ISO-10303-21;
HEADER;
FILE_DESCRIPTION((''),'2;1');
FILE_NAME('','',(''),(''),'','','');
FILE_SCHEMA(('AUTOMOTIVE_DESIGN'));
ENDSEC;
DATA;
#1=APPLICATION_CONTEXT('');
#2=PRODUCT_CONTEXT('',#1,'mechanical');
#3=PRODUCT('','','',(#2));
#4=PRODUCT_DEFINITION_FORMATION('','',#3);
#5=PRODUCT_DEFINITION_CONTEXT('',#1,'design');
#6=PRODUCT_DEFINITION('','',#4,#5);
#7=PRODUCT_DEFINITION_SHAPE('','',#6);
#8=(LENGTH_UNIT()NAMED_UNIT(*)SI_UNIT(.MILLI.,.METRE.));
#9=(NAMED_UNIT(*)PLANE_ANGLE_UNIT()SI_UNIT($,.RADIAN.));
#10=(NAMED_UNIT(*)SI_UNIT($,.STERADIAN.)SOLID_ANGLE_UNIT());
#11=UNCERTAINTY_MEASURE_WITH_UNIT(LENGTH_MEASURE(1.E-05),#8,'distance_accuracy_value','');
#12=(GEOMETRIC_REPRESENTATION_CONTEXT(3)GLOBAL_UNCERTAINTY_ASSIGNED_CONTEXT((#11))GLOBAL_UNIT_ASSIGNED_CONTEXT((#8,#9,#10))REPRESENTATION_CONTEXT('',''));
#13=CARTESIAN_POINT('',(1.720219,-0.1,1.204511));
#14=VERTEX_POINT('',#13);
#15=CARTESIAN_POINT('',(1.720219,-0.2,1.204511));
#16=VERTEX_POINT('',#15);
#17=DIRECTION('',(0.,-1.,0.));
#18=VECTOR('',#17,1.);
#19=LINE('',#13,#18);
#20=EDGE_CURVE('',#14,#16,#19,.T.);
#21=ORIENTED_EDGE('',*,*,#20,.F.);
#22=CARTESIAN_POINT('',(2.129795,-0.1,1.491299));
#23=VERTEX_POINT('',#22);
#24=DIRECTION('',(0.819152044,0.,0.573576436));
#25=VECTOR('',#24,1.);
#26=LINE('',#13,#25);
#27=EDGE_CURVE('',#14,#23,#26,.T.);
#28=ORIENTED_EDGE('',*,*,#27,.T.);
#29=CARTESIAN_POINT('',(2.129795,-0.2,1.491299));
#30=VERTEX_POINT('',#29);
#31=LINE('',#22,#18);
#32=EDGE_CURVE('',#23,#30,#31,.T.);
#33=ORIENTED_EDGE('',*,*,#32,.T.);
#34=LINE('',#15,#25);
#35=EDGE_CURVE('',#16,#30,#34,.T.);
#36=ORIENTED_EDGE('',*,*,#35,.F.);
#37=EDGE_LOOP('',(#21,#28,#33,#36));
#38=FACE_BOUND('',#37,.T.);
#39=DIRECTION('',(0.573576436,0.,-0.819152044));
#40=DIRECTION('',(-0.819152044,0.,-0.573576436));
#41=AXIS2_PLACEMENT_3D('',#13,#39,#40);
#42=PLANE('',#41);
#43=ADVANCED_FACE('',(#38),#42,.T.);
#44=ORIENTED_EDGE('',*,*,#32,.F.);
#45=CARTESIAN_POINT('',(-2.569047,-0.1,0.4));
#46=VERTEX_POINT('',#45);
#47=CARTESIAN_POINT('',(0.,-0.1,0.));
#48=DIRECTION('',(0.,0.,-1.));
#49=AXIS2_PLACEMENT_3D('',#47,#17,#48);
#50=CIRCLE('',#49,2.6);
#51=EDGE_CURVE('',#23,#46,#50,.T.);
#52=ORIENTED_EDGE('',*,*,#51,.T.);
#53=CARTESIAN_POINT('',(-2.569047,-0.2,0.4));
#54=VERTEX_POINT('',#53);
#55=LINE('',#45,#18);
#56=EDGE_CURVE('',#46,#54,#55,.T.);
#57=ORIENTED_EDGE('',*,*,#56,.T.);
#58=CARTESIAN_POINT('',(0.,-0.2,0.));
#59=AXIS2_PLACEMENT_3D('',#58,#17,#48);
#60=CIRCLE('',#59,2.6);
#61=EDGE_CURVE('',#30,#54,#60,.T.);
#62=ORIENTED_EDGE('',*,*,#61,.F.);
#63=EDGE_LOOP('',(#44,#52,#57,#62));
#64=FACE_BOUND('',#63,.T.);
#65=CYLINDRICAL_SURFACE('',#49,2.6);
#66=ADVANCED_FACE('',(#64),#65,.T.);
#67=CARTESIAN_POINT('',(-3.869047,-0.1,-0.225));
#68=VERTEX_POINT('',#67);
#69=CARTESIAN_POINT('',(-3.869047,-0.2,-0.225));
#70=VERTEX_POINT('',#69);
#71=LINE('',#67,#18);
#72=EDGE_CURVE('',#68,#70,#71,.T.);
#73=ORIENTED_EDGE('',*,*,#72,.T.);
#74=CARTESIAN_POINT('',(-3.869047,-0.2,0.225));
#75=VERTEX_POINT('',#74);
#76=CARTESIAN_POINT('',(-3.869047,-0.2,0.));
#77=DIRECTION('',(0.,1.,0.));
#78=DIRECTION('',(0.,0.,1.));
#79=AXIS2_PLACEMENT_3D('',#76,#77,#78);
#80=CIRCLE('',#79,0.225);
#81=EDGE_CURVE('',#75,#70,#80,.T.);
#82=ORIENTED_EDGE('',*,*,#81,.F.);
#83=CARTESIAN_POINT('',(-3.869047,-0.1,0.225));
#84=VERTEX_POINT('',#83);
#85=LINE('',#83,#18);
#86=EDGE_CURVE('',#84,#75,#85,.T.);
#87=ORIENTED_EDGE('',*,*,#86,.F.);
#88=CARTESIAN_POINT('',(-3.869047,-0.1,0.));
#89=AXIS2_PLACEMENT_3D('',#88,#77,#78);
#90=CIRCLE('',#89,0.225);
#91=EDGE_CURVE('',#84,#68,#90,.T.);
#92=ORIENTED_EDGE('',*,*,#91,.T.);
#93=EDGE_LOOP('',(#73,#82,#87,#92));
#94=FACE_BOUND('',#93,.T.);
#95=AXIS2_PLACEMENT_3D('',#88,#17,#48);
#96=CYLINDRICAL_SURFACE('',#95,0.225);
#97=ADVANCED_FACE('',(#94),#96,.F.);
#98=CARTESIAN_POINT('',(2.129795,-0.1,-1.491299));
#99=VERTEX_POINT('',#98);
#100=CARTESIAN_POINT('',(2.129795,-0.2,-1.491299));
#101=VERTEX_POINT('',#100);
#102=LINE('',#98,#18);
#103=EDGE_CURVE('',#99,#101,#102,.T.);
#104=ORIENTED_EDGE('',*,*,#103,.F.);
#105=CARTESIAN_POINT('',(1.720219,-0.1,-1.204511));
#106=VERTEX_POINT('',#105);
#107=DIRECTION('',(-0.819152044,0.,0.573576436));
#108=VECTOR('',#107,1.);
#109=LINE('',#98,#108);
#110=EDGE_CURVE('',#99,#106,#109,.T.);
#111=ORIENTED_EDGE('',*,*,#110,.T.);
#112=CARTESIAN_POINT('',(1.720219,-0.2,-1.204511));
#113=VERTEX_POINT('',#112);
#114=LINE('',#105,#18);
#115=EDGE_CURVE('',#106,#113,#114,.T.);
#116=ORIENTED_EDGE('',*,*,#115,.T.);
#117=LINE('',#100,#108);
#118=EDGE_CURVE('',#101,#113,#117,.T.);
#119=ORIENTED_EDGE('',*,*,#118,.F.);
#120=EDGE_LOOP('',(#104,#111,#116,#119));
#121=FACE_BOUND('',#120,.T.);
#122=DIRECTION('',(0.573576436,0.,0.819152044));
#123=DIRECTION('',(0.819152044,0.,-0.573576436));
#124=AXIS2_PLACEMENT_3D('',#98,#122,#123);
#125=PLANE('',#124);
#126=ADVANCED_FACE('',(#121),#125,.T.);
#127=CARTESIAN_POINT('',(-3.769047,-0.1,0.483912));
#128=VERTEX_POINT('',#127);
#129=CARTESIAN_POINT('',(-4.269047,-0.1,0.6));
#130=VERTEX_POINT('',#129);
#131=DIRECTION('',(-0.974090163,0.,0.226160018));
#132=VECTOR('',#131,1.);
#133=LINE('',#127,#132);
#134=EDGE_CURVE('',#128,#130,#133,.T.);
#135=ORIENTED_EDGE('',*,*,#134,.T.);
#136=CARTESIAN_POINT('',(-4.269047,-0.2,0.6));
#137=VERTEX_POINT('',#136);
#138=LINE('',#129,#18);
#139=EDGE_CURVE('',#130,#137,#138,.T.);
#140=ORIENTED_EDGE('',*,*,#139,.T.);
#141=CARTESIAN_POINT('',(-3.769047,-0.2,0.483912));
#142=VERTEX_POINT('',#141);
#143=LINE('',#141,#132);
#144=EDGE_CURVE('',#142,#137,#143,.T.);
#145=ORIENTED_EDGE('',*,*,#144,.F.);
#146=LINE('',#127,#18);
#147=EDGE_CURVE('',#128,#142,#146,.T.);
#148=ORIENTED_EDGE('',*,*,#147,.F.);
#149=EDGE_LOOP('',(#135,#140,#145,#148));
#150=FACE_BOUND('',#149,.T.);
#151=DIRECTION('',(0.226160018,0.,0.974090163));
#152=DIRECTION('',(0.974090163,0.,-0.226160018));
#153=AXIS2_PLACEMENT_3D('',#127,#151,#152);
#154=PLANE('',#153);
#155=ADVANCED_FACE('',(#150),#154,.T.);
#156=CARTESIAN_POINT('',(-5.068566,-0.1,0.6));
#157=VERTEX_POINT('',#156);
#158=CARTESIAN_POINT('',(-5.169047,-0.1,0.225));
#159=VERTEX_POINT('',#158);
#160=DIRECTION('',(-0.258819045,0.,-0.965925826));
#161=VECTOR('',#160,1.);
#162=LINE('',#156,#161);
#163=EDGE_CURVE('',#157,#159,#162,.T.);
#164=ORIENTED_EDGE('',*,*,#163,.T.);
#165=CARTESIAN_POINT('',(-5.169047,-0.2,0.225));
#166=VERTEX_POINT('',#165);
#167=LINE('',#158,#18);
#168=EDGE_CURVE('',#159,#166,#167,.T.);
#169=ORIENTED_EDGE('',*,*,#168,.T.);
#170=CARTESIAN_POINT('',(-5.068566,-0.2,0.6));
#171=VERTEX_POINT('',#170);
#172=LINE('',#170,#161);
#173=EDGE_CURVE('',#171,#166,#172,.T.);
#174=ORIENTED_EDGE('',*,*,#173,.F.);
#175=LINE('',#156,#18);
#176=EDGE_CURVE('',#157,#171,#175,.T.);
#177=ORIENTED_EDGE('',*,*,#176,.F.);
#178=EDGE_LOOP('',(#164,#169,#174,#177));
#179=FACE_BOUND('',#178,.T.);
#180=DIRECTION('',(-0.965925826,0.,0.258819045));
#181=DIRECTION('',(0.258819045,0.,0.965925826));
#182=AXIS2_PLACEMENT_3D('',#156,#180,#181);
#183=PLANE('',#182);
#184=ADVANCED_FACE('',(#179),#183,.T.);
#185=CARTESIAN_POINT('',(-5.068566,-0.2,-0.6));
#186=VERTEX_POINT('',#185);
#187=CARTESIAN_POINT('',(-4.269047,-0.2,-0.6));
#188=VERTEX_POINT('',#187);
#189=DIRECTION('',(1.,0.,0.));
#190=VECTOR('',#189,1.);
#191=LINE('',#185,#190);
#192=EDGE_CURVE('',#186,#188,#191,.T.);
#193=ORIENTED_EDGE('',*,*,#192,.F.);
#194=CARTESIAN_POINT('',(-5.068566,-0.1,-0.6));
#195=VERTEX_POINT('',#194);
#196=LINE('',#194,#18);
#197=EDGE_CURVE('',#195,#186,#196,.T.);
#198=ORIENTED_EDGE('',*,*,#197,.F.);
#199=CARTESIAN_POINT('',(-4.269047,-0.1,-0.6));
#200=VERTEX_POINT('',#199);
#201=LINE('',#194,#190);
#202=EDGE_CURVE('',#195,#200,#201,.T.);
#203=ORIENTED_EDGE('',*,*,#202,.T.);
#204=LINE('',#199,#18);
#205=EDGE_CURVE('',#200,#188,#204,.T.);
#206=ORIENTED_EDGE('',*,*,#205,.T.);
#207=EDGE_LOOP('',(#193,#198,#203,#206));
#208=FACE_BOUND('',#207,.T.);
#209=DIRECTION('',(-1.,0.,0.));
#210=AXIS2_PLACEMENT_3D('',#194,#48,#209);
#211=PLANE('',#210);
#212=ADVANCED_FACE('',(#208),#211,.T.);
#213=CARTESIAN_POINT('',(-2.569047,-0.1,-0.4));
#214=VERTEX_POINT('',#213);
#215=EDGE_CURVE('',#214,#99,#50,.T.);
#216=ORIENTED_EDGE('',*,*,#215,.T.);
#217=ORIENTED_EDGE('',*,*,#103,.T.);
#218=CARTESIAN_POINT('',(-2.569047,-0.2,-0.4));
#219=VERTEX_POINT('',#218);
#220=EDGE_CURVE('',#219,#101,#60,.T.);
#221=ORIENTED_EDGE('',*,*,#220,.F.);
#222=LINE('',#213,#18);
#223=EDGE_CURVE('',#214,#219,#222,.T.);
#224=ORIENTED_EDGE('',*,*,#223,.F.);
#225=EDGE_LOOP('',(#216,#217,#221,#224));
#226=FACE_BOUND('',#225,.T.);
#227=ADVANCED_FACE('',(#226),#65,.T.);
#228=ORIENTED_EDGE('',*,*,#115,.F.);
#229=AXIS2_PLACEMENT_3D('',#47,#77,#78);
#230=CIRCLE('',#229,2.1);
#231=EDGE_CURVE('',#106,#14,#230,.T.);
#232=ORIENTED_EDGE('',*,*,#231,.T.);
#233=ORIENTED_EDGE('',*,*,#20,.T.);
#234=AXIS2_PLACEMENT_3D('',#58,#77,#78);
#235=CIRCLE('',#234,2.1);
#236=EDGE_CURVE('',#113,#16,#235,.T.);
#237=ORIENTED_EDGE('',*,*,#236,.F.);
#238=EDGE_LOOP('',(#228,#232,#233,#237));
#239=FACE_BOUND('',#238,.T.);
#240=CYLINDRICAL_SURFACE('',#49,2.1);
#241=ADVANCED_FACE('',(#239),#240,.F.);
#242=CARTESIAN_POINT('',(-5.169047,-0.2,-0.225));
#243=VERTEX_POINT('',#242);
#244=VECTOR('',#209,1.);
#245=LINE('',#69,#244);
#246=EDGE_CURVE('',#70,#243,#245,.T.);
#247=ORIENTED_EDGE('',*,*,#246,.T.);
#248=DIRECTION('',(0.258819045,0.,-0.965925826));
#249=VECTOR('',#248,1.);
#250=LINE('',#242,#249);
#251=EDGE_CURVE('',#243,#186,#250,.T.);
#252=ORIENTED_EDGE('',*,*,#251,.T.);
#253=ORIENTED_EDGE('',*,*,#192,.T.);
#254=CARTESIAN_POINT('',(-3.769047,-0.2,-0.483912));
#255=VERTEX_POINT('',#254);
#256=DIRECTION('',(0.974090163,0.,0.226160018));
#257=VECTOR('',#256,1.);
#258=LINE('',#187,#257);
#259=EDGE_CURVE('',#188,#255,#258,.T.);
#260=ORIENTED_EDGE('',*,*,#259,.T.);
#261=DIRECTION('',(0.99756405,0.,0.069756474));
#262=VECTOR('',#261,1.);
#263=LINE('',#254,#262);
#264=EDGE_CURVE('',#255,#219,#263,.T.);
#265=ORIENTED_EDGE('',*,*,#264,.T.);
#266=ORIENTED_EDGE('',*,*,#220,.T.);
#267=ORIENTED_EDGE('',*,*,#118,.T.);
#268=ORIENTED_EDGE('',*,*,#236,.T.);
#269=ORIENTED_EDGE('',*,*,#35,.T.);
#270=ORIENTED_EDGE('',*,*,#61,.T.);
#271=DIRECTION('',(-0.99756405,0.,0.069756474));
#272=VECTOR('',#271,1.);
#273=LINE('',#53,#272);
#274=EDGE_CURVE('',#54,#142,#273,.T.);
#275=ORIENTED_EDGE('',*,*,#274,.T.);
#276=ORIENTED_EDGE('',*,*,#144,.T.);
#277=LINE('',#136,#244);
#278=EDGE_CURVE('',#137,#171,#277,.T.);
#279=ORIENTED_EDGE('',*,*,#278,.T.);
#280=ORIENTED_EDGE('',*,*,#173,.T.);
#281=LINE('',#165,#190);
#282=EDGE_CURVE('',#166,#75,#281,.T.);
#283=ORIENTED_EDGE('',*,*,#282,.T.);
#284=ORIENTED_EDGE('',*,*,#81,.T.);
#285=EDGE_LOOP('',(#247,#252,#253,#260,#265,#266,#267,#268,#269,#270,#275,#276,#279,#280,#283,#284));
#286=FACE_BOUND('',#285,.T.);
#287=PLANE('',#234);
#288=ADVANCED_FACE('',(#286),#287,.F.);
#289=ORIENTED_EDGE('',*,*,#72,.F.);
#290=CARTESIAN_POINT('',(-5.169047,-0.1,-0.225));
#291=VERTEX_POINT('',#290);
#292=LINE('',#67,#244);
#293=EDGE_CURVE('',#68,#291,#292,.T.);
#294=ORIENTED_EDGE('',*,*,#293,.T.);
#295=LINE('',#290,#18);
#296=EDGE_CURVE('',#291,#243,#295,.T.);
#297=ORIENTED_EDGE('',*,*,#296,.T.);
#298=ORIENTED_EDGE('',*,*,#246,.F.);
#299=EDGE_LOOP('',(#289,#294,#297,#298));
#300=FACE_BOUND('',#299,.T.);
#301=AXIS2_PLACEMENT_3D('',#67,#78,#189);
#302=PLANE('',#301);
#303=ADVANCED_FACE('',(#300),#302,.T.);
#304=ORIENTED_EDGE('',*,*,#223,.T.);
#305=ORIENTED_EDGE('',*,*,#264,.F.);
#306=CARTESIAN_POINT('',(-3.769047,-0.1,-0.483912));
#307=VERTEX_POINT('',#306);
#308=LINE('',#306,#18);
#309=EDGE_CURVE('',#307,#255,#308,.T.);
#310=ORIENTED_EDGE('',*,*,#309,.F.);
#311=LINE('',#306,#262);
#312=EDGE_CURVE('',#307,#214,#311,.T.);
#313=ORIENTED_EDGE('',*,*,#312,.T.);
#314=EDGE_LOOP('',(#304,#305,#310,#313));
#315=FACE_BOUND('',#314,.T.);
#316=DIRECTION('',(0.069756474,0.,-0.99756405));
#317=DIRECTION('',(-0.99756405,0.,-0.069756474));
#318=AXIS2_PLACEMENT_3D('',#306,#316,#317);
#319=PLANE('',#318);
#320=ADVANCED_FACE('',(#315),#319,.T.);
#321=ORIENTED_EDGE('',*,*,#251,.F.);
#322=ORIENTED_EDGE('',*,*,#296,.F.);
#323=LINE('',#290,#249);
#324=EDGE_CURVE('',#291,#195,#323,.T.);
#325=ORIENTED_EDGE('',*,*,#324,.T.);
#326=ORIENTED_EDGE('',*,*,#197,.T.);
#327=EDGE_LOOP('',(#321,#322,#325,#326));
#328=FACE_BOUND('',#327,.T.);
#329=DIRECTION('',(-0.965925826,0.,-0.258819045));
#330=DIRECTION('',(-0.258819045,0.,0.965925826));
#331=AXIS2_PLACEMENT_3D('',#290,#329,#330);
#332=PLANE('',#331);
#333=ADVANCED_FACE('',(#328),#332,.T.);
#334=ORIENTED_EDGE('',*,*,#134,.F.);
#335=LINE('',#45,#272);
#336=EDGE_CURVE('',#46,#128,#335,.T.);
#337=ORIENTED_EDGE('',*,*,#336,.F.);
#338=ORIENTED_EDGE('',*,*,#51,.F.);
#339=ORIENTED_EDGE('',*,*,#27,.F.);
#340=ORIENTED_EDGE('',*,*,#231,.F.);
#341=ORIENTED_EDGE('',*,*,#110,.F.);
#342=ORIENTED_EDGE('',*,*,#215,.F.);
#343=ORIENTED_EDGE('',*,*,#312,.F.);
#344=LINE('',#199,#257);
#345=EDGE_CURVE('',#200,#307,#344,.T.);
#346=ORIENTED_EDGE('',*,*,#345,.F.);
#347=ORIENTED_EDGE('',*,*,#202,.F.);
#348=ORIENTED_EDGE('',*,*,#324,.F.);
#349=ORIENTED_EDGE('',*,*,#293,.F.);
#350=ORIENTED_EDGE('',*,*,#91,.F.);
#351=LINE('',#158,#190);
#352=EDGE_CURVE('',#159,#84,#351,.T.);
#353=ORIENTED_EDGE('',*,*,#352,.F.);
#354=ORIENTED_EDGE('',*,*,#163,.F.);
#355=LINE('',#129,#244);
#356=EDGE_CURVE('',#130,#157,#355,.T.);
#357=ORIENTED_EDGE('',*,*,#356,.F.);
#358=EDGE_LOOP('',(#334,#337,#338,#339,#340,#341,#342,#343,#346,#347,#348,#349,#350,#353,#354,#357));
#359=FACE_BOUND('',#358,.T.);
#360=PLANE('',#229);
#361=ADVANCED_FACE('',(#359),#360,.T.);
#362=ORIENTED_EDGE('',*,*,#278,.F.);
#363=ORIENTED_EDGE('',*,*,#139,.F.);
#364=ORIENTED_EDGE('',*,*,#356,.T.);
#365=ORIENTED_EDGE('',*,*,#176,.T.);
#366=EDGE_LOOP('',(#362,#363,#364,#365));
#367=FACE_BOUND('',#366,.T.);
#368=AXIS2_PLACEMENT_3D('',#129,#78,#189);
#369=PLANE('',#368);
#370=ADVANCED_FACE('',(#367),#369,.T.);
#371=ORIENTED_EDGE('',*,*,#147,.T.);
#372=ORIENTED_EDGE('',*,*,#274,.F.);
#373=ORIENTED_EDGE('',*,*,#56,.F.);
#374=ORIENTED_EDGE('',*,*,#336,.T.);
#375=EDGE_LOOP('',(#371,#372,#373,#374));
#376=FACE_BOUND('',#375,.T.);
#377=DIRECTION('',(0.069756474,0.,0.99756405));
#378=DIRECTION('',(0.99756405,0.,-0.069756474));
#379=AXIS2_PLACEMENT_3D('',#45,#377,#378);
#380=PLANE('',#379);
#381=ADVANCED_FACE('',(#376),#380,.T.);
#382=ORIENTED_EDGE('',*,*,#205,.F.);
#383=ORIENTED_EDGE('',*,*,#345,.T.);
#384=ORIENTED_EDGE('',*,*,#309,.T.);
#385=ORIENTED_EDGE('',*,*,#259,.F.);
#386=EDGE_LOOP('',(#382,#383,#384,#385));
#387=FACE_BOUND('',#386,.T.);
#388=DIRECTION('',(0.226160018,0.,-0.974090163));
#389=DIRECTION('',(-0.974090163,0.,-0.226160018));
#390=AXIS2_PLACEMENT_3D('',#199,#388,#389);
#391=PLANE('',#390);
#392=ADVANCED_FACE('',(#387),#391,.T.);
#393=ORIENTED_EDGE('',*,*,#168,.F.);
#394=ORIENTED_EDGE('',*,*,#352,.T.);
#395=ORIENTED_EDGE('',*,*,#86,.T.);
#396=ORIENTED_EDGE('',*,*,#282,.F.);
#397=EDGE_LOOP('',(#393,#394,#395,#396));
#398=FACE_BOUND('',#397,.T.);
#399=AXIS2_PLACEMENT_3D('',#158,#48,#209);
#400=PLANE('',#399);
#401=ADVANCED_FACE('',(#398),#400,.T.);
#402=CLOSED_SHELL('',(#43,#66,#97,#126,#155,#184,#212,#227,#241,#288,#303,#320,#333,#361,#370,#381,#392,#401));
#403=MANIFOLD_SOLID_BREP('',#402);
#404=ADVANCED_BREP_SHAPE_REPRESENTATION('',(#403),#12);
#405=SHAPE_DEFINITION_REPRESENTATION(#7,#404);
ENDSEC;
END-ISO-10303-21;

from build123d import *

# Parameters (mm, degrees)
BOSS_EXTRUDE1_DEPTH = 0.1


with BuildPart() as part:
    # Sketch1 → Boss-Extrude1 (new body)
    with BuildSketch(Plane.XZ.offset(0.2)):
        with BuildLine():
            Line((1.720219293, 1.204510516), (2.129795315, 1.491298735))
            ThreePointArc((2.129795315, 1.491298735), (-0.588190986, 2.532593802), (-2.569046516, 0.4))
            Line((-2.569046516, 0.4), (-3.769046516, 0.483912174))
            Line((-3.769046516, 0.483912174), (-4.269046516, 0.6))
            Line((-4.269046516, 0.6), (-5.068565569, 0.6))
            Line((-5.068565569, 0.6), (-5.169046516, 0.225))
            Line((-5.169046516, 0.225), (-3.869046516, 0.225))
            ThreePointArc((-3.869046516, 0.225), (-3.644046516, 0), (-3.869046516, -0.225))
            Line((-3.869046516, -0.225), (-5.169046516, -0.225))
            Line((-5.169046516, -0.225), (-5.068565569, -0.6))
            Line((-5.068565569, -0.6), (-4.269046516, -0.6))
            Line((-4.269046516, -0.6), (-3.769046516, -0.483912174))
            Line((-3.769046516, -0.483912174), (-2.569046516, -0.4))
            ThreePointArc((-2.569046516, -0.4), (-0.588190986, -2.532593802), (2.129795315, -1.491298735))
            Line((2.129795315, -1.491298735), (1.720219293, -1.204510516))
            ThreePointArc((1.720219293, -1.204510516), (-2.1, 0), (1.720219293, 1.204510516))
        make_face()
    extrude(amount=-BOSS_EXTRUDE1_DEPTH)


solid = part.part
